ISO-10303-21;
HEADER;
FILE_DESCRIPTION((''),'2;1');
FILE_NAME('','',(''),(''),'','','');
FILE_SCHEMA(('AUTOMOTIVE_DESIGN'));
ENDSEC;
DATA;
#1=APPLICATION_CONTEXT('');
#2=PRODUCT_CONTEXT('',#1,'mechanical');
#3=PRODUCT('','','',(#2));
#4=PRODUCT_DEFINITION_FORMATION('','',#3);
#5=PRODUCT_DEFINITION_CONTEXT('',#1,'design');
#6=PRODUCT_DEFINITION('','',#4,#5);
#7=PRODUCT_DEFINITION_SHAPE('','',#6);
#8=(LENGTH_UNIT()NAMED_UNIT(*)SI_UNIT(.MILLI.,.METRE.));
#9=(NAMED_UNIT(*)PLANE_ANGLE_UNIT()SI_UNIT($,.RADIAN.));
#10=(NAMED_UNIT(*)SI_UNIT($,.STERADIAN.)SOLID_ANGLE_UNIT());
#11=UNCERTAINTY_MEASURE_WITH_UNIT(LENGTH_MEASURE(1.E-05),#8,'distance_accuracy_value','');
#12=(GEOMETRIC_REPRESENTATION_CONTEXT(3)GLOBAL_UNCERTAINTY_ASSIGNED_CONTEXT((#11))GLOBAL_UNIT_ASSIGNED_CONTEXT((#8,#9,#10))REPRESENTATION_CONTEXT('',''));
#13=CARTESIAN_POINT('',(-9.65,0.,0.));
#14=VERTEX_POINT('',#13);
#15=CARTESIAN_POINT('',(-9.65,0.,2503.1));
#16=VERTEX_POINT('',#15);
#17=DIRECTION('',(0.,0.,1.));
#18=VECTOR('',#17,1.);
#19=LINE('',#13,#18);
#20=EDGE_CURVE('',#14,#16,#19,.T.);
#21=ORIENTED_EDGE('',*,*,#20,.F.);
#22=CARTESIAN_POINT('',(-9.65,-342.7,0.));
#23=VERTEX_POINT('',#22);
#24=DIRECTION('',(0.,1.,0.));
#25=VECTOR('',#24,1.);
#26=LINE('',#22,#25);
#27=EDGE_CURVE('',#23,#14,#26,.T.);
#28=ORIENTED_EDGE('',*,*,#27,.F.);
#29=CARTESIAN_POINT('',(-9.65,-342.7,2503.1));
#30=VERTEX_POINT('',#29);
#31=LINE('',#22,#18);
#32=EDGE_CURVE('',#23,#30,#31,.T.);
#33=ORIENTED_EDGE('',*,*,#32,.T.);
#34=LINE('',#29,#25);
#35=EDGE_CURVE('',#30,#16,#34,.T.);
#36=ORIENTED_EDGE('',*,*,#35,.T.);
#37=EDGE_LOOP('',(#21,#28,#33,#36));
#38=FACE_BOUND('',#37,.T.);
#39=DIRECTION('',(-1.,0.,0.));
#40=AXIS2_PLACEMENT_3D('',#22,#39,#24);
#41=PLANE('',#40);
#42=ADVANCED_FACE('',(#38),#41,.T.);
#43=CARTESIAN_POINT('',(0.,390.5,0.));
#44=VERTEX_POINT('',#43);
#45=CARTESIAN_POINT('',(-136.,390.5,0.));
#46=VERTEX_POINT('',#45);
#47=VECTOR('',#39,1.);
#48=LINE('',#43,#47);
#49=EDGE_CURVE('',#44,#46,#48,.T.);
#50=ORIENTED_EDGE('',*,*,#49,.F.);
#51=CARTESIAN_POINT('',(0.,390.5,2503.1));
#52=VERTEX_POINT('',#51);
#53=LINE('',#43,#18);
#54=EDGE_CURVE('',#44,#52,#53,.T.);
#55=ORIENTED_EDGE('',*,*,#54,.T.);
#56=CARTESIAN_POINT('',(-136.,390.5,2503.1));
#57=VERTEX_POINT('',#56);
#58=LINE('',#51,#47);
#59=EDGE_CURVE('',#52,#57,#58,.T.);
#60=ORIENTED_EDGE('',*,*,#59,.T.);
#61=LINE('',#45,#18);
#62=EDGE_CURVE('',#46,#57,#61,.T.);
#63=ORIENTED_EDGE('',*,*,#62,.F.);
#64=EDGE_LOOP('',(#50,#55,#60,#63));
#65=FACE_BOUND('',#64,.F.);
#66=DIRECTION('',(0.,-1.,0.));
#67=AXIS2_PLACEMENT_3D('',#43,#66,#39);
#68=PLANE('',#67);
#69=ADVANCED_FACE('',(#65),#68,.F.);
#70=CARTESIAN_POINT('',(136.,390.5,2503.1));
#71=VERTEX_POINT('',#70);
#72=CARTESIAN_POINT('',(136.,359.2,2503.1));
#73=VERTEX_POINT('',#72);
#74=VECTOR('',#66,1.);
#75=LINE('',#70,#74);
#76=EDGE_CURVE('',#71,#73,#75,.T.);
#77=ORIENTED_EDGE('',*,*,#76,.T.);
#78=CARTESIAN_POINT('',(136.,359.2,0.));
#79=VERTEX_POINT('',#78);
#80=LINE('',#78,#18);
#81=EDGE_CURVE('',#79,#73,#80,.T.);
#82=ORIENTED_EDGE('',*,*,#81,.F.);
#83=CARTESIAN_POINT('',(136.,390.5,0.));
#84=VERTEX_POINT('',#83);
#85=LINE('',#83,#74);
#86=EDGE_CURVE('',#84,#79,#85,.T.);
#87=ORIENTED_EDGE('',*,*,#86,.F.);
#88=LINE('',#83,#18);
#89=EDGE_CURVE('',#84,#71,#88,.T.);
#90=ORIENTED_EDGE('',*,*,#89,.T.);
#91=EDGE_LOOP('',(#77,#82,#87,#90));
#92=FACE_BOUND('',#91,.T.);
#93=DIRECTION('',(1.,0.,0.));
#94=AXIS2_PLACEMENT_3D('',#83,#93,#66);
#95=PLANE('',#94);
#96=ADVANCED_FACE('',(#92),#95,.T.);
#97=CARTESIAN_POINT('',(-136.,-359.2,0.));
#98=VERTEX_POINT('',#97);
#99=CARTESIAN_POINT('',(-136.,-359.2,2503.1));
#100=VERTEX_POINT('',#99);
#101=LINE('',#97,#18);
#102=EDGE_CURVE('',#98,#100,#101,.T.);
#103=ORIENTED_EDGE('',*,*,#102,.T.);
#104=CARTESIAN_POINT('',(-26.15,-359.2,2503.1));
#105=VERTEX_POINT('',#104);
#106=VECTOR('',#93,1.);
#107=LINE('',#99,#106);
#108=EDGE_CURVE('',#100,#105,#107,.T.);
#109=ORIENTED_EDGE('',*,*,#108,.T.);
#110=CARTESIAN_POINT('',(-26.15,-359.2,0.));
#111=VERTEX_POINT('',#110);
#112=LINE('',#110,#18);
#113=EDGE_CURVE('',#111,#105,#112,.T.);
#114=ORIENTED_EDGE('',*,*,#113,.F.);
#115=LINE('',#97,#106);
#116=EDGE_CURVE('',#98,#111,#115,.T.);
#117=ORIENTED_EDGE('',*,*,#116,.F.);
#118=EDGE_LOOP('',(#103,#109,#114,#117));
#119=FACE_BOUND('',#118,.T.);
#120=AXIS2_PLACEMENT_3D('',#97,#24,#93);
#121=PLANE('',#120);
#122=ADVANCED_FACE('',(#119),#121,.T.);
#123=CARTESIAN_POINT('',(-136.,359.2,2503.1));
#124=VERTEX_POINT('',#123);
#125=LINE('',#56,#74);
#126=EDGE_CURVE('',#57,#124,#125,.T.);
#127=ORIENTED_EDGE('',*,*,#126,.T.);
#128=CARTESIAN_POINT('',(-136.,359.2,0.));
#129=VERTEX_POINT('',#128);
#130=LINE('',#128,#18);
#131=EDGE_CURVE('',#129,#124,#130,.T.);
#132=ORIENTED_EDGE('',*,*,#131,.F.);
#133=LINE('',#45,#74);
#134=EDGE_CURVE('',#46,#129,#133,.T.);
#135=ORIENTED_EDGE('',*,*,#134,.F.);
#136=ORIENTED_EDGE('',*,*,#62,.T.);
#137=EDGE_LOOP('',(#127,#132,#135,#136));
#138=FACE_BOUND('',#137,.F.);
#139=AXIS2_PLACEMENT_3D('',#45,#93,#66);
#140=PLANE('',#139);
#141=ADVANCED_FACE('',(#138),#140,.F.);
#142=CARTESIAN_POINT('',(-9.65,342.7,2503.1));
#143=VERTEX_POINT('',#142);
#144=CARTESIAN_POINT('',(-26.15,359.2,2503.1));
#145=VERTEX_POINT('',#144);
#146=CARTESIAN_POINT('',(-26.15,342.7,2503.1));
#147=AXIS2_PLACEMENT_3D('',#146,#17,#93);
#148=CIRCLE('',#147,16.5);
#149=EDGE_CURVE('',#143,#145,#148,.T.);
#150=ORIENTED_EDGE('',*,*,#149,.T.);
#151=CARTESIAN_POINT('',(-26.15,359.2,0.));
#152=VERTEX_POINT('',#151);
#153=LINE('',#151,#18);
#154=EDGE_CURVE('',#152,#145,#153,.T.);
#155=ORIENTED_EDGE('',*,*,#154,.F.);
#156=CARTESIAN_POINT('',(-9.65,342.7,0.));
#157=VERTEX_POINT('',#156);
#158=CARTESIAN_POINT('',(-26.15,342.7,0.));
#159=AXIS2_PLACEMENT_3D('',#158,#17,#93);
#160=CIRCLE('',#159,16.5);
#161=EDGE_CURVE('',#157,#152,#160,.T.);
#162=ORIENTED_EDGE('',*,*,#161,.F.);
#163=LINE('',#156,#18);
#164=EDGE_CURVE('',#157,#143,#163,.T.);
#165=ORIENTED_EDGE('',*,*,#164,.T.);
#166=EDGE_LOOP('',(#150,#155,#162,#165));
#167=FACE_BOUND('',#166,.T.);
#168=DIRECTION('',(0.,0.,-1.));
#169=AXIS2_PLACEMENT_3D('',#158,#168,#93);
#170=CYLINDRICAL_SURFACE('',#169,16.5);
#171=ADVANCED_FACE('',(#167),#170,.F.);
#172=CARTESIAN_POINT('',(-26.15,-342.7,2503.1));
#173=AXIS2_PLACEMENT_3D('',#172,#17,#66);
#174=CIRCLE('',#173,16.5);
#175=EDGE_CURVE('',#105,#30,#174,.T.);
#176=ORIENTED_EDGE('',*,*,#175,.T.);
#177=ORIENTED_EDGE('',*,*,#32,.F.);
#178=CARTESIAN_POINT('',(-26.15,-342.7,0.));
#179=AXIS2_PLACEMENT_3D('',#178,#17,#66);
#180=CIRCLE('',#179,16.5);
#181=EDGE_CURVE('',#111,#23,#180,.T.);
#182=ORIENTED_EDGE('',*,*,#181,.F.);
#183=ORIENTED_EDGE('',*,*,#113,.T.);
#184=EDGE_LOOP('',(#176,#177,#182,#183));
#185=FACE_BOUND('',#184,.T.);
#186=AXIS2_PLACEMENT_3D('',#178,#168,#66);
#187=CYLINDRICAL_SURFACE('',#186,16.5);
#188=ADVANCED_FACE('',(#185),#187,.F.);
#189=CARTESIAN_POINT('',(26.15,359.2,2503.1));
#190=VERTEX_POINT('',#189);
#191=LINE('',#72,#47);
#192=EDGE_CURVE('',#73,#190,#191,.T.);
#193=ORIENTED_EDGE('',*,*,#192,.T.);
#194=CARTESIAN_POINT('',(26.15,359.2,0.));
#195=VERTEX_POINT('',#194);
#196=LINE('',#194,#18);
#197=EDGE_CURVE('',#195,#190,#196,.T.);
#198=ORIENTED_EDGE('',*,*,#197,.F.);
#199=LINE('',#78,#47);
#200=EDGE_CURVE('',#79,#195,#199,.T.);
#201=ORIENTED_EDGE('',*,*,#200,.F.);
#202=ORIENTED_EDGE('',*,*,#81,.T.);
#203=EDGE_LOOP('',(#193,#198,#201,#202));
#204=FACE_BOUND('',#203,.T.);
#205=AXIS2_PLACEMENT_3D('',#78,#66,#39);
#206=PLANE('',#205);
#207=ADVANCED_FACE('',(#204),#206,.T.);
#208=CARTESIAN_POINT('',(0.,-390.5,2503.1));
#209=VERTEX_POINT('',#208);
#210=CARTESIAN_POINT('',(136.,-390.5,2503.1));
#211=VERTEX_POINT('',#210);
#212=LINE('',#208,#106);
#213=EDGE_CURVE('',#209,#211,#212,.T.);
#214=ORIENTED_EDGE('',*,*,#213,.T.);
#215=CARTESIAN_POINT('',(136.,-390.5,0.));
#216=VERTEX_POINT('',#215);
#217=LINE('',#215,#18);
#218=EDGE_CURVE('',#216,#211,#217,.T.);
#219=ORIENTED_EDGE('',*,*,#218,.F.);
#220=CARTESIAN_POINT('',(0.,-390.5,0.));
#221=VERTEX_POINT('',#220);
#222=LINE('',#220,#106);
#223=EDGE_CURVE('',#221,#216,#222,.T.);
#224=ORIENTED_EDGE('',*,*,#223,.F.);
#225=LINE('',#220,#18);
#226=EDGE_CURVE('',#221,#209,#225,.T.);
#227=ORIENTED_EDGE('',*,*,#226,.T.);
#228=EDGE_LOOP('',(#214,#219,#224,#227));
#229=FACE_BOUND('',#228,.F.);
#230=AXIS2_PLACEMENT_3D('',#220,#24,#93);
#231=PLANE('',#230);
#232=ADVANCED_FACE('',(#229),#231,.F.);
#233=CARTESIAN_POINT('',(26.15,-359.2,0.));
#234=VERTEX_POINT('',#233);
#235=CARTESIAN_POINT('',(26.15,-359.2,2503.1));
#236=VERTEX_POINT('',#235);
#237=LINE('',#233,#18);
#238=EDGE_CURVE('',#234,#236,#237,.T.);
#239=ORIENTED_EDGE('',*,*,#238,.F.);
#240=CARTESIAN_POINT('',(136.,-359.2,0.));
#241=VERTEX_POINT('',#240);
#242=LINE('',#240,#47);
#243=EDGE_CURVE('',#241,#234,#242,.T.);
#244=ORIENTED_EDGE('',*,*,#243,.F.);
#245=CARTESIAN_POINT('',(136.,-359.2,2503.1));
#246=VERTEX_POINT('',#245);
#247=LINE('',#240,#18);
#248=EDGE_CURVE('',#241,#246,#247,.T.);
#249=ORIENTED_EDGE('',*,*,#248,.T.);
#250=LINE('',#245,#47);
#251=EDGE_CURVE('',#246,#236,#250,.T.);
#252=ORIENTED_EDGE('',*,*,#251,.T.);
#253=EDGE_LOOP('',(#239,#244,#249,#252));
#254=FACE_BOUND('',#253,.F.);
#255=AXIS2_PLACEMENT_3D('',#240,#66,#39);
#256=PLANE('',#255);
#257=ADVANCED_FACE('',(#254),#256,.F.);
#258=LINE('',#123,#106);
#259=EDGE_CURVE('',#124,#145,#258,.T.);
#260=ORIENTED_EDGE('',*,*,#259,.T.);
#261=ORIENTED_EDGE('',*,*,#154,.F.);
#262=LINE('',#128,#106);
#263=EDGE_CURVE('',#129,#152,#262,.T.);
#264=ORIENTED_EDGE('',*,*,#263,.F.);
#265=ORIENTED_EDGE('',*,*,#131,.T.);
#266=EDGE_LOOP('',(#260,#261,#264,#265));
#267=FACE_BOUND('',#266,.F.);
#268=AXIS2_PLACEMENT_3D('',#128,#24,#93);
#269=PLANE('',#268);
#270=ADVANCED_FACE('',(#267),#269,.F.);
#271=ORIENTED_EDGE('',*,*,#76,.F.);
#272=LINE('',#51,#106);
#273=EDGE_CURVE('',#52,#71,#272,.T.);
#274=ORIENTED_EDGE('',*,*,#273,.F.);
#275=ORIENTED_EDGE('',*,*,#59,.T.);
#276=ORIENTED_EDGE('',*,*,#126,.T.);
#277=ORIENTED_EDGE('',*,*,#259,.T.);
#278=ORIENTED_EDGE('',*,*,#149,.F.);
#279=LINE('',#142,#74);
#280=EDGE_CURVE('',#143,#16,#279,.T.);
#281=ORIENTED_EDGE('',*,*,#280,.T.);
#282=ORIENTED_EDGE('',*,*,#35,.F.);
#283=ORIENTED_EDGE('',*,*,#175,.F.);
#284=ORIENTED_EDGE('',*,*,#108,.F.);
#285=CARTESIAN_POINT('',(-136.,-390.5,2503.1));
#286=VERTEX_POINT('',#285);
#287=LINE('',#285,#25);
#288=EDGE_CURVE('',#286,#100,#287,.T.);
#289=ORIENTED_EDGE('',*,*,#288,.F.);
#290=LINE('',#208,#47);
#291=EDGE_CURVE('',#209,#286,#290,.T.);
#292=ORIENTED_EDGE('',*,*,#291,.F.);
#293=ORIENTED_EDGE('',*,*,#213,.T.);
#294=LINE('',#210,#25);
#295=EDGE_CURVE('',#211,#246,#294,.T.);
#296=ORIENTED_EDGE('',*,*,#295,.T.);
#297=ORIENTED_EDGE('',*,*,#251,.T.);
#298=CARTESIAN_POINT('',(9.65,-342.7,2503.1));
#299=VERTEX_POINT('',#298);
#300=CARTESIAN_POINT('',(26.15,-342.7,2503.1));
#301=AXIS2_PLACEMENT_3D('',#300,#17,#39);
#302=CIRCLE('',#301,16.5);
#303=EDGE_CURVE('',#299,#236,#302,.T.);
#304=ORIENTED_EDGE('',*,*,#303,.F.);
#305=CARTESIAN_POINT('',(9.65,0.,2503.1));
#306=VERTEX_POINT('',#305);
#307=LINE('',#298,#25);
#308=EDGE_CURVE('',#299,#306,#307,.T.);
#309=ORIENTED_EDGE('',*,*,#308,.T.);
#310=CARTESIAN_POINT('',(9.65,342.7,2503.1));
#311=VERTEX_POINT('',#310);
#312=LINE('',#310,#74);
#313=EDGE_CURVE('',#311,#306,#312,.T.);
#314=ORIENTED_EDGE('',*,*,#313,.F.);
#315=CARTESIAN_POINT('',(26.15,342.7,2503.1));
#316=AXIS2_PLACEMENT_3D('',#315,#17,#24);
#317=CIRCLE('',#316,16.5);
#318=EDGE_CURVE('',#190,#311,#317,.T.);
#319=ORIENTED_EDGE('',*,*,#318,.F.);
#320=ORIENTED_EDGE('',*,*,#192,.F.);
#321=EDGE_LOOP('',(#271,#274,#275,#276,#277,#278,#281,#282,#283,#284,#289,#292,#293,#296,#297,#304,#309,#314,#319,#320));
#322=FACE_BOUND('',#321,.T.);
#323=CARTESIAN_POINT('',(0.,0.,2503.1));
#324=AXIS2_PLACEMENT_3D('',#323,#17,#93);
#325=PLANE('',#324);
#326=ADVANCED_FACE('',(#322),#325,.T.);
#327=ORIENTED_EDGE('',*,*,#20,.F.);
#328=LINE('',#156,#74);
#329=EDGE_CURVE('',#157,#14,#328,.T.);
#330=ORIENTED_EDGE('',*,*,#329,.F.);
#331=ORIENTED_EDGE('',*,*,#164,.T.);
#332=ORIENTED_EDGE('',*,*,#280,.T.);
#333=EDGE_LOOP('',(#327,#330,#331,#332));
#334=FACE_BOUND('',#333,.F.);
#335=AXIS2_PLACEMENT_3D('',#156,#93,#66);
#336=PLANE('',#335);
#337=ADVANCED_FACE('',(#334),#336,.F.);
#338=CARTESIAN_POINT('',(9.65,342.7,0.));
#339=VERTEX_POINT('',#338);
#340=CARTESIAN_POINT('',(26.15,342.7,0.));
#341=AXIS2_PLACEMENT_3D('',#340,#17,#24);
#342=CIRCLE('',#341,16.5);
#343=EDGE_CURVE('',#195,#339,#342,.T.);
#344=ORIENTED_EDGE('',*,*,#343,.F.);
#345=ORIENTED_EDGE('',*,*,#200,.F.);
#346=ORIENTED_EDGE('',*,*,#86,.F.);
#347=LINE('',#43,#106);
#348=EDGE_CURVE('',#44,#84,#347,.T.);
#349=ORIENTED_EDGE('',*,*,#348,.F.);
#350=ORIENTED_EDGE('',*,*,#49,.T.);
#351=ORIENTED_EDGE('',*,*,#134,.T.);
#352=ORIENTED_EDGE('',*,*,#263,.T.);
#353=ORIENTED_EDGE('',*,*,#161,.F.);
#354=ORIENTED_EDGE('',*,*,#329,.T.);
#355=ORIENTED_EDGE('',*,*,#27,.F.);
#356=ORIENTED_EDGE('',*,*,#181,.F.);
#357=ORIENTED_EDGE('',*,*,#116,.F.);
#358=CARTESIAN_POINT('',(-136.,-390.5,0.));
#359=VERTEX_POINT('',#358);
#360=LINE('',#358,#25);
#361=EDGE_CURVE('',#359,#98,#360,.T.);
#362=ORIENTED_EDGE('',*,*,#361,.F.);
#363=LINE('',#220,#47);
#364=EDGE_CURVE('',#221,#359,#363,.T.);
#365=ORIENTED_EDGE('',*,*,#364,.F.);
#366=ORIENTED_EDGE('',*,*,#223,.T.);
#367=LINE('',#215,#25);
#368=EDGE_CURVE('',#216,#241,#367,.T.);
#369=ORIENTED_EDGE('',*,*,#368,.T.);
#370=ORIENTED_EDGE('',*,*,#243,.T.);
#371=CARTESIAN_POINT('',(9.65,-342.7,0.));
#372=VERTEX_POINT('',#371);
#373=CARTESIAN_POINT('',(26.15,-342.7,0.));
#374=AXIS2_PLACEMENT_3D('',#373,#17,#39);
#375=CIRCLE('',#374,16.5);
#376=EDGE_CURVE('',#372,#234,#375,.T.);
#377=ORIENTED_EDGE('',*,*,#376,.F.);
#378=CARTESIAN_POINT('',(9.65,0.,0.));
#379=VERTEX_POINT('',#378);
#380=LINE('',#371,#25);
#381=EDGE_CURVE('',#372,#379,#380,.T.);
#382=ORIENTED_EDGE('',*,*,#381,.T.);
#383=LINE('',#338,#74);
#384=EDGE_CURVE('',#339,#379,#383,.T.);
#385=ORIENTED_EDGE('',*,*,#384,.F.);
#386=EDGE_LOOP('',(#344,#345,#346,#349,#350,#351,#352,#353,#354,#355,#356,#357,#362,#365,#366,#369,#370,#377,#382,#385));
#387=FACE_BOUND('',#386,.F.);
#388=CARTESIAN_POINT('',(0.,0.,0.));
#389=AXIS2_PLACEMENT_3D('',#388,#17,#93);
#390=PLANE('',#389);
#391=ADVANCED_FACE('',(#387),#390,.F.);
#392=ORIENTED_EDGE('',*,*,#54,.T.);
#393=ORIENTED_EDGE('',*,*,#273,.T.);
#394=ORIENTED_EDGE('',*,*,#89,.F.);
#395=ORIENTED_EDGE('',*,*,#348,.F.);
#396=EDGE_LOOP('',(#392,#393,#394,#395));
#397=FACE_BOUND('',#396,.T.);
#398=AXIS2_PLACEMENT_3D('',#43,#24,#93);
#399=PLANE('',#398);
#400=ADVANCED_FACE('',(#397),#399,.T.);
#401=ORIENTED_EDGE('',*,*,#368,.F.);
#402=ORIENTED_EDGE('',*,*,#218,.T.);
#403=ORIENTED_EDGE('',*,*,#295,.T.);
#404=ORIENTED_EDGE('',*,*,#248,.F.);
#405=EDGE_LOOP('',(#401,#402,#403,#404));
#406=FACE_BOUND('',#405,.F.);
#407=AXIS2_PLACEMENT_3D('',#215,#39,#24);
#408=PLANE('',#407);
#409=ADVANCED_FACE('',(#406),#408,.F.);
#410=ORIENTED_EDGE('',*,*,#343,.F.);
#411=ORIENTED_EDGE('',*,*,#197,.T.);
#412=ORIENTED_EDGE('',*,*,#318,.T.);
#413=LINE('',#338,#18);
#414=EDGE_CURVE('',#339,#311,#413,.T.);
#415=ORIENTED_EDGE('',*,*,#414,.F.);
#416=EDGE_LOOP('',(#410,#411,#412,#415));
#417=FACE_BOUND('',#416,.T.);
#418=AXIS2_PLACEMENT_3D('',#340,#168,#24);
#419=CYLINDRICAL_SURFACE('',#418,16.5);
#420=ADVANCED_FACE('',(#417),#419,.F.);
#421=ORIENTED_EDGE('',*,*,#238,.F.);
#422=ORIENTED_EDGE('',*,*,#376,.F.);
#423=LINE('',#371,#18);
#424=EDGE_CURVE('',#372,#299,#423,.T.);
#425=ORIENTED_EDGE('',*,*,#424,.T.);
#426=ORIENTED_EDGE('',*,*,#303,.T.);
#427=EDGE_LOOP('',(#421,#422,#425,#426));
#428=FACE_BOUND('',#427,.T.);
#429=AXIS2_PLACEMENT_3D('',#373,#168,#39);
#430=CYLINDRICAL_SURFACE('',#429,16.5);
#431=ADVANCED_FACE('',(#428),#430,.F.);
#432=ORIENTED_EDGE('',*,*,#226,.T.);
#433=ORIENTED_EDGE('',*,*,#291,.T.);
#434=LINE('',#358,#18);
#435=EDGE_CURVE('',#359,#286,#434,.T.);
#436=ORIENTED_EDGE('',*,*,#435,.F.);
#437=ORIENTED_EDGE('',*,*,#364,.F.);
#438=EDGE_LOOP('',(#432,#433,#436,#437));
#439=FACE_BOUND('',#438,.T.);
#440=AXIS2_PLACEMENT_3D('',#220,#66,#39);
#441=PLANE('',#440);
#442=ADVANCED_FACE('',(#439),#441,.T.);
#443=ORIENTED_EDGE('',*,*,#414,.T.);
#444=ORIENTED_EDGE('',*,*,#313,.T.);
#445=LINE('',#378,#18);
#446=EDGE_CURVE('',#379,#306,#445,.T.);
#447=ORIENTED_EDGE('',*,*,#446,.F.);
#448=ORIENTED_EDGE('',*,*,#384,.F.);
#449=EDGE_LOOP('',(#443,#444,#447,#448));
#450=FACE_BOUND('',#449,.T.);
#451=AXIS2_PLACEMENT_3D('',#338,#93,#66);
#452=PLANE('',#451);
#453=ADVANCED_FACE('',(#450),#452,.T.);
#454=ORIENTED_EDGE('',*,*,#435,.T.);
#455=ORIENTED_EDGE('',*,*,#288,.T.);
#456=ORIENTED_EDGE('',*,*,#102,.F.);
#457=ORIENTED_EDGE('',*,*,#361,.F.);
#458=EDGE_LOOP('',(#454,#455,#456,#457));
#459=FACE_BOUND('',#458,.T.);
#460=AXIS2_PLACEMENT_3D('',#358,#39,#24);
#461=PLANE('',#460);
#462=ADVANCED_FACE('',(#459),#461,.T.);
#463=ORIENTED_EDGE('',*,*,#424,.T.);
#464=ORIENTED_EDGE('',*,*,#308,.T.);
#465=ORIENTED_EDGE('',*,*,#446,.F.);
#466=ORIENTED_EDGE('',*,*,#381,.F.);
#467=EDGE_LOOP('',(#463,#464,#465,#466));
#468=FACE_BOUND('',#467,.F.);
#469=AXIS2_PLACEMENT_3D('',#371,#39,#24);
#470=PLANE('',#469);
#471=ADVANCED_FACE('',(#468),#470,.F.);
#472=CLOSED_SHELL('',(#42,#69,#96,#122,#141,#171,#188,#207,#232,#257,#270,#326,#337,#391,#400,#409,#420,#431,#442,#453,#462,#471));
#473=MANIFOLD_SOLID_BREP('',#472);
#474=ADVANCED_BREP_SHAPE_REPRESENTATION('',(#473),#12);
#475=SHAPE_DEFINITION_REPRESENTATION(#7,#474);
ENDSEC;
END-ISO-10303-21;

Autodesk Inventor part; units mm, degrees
ref_plane "YZ Plane" through (0, 0, 0) normal (1, 0, 0) x (0, 1, 0)
ref_plane "Start plane" through (0, 0, 0) normal (0, 0, 1) x (1, 0, 0)
ref_plane "End plane" through (0, 0, 2503.1) normal (0, 0, 1) x (1, 0, 0)
sketch "Sketch" plane through (0, 0, 0) normal (0, 0, 1) x (1, 0, 0)
  line L0 (-136, -390.5) -> (-136, -359.2)
  line L1 (-136, -359.2) -> (-26.15, -359.2)
  line L2 (-9.65, -342.7) -> (-9.65, 0)
  line L3 (-9.65, 0) -> (0, 0) construction
  line L4 (0, 0) -> (0, -390.5) construction
  line L5 (0, -390.5) -> (-136, -390.5)
  line L6 (-60, 0) -> (80, 0) construction
  line L7 (0, -60) -> (0, 80) construction
  line L8 (136, -390.5) -> (136, -359.2)
  line L9 (136, -359.2) -> (26.15, -359.2)
  line L10 (9.65, -342.7) -> (9.65, 0)
  line L11 (9.65, 0) -> (0, 0) construction
  line L12 (0, -390.5) -> (136, -390.5)
  line L13 (-136, 390.5) -> (-136, 359.2)
  line L14 (-136, 359.2) -> (-26.15, 359.2)
  line L15 (-9.65, 342.7) -> (-9.65, 0)
  line L16 (0, 390.5) -> (-136, 390.5)
  line L17 (136, 390.5) -> (136, 359.2)
  line L18 (136, 359.2) -> (26.15, 359.2)
  line L19 (0, 390.5) -> (136, 390.5)
  line L20 (9.65, 342.7) -> (9.65, 0)
  arc A0 (-9.65, 342.7) -> (-26.15, 359.2) centre (-26.15, 342.7) ccw
  arc A1 (26.15, 359.2) -> (9.65, 342.7) centre (26.15, 342.7) ccw
  arc A2 (9.65, -342.7) -> (26.15, -359.2) centre (26.15, -342.7) ccw
  arc A3 (-26.15, -359.2) -> (-9.65, -342.7) centre (-26.15, -342.7) ccw
  line L21 (0, 108) -> (0, -88) construction
  line L22 (-88, 0) -> (108, 0) construction
  point P0 (-9.65, -359.2)
  point P1 (9.65, -359.2)
  point P2 (-9.65, 359.2)
  point P3 (9.65, 359.2)
  dimension "d1" = 390.5
  dimension "d2" = 31.3
  dimension "d3" = 136
  dimension "d4" = 9.65
  dimension "d10" = 16.5
extrude "Body" add sketch "Sketch" along normal up to surface (2503.1 mm away) from surface at 0
sketch "Sketch4" plane through (0, 0, 0) normal (0, 0, 1) x (1, 0, 0)
  line L0 (0, 0) -> (10, 0)
ref_plane "Work Plane3" through (0, 0, 0) normal (0, -1, 0) x (1, 0, 0)
sketch "Sketch5" plane through (0, 0, 0) normal (0, -1, 0) x (1, 0, 0)
  line L0 (-2, 0) -> (12, 0) projected
  line L1 (-2, 2503.1) -> (12, 2503.1) projected
  dimension "d14" = 2503.1
equation "\"d1\" = 0.5 * G_H"
equation "\"d2\" = G_T1"
equation "\"d3\" = 0.5 * G_W"
equation "\"d4\" = 0.5 * G_T"
equation "\"d10\" = G_IR"
equation "\"d5\" = G_L"
equation "\"G_W\" = 272"
equation "\"G_H\" = 781"
equation "\"G_T\" = 19.3"
equation "\"G_T1\" = 31.3"
equation "\"G_IR\" = 16.5"
equation "\"G_L\" = d14"
equation "\"G_OFFSET_START\" = 0"
equation "\"G_OFFSET_END\" = 0"
equation "\"d12\" = G_OFFSET_END + B_L"
equation "\"B_L\" = 2503.1"
properties part number "AS 3679-1990 - 760 UB - 244 - 2503.1" material "Steel, Mild"
